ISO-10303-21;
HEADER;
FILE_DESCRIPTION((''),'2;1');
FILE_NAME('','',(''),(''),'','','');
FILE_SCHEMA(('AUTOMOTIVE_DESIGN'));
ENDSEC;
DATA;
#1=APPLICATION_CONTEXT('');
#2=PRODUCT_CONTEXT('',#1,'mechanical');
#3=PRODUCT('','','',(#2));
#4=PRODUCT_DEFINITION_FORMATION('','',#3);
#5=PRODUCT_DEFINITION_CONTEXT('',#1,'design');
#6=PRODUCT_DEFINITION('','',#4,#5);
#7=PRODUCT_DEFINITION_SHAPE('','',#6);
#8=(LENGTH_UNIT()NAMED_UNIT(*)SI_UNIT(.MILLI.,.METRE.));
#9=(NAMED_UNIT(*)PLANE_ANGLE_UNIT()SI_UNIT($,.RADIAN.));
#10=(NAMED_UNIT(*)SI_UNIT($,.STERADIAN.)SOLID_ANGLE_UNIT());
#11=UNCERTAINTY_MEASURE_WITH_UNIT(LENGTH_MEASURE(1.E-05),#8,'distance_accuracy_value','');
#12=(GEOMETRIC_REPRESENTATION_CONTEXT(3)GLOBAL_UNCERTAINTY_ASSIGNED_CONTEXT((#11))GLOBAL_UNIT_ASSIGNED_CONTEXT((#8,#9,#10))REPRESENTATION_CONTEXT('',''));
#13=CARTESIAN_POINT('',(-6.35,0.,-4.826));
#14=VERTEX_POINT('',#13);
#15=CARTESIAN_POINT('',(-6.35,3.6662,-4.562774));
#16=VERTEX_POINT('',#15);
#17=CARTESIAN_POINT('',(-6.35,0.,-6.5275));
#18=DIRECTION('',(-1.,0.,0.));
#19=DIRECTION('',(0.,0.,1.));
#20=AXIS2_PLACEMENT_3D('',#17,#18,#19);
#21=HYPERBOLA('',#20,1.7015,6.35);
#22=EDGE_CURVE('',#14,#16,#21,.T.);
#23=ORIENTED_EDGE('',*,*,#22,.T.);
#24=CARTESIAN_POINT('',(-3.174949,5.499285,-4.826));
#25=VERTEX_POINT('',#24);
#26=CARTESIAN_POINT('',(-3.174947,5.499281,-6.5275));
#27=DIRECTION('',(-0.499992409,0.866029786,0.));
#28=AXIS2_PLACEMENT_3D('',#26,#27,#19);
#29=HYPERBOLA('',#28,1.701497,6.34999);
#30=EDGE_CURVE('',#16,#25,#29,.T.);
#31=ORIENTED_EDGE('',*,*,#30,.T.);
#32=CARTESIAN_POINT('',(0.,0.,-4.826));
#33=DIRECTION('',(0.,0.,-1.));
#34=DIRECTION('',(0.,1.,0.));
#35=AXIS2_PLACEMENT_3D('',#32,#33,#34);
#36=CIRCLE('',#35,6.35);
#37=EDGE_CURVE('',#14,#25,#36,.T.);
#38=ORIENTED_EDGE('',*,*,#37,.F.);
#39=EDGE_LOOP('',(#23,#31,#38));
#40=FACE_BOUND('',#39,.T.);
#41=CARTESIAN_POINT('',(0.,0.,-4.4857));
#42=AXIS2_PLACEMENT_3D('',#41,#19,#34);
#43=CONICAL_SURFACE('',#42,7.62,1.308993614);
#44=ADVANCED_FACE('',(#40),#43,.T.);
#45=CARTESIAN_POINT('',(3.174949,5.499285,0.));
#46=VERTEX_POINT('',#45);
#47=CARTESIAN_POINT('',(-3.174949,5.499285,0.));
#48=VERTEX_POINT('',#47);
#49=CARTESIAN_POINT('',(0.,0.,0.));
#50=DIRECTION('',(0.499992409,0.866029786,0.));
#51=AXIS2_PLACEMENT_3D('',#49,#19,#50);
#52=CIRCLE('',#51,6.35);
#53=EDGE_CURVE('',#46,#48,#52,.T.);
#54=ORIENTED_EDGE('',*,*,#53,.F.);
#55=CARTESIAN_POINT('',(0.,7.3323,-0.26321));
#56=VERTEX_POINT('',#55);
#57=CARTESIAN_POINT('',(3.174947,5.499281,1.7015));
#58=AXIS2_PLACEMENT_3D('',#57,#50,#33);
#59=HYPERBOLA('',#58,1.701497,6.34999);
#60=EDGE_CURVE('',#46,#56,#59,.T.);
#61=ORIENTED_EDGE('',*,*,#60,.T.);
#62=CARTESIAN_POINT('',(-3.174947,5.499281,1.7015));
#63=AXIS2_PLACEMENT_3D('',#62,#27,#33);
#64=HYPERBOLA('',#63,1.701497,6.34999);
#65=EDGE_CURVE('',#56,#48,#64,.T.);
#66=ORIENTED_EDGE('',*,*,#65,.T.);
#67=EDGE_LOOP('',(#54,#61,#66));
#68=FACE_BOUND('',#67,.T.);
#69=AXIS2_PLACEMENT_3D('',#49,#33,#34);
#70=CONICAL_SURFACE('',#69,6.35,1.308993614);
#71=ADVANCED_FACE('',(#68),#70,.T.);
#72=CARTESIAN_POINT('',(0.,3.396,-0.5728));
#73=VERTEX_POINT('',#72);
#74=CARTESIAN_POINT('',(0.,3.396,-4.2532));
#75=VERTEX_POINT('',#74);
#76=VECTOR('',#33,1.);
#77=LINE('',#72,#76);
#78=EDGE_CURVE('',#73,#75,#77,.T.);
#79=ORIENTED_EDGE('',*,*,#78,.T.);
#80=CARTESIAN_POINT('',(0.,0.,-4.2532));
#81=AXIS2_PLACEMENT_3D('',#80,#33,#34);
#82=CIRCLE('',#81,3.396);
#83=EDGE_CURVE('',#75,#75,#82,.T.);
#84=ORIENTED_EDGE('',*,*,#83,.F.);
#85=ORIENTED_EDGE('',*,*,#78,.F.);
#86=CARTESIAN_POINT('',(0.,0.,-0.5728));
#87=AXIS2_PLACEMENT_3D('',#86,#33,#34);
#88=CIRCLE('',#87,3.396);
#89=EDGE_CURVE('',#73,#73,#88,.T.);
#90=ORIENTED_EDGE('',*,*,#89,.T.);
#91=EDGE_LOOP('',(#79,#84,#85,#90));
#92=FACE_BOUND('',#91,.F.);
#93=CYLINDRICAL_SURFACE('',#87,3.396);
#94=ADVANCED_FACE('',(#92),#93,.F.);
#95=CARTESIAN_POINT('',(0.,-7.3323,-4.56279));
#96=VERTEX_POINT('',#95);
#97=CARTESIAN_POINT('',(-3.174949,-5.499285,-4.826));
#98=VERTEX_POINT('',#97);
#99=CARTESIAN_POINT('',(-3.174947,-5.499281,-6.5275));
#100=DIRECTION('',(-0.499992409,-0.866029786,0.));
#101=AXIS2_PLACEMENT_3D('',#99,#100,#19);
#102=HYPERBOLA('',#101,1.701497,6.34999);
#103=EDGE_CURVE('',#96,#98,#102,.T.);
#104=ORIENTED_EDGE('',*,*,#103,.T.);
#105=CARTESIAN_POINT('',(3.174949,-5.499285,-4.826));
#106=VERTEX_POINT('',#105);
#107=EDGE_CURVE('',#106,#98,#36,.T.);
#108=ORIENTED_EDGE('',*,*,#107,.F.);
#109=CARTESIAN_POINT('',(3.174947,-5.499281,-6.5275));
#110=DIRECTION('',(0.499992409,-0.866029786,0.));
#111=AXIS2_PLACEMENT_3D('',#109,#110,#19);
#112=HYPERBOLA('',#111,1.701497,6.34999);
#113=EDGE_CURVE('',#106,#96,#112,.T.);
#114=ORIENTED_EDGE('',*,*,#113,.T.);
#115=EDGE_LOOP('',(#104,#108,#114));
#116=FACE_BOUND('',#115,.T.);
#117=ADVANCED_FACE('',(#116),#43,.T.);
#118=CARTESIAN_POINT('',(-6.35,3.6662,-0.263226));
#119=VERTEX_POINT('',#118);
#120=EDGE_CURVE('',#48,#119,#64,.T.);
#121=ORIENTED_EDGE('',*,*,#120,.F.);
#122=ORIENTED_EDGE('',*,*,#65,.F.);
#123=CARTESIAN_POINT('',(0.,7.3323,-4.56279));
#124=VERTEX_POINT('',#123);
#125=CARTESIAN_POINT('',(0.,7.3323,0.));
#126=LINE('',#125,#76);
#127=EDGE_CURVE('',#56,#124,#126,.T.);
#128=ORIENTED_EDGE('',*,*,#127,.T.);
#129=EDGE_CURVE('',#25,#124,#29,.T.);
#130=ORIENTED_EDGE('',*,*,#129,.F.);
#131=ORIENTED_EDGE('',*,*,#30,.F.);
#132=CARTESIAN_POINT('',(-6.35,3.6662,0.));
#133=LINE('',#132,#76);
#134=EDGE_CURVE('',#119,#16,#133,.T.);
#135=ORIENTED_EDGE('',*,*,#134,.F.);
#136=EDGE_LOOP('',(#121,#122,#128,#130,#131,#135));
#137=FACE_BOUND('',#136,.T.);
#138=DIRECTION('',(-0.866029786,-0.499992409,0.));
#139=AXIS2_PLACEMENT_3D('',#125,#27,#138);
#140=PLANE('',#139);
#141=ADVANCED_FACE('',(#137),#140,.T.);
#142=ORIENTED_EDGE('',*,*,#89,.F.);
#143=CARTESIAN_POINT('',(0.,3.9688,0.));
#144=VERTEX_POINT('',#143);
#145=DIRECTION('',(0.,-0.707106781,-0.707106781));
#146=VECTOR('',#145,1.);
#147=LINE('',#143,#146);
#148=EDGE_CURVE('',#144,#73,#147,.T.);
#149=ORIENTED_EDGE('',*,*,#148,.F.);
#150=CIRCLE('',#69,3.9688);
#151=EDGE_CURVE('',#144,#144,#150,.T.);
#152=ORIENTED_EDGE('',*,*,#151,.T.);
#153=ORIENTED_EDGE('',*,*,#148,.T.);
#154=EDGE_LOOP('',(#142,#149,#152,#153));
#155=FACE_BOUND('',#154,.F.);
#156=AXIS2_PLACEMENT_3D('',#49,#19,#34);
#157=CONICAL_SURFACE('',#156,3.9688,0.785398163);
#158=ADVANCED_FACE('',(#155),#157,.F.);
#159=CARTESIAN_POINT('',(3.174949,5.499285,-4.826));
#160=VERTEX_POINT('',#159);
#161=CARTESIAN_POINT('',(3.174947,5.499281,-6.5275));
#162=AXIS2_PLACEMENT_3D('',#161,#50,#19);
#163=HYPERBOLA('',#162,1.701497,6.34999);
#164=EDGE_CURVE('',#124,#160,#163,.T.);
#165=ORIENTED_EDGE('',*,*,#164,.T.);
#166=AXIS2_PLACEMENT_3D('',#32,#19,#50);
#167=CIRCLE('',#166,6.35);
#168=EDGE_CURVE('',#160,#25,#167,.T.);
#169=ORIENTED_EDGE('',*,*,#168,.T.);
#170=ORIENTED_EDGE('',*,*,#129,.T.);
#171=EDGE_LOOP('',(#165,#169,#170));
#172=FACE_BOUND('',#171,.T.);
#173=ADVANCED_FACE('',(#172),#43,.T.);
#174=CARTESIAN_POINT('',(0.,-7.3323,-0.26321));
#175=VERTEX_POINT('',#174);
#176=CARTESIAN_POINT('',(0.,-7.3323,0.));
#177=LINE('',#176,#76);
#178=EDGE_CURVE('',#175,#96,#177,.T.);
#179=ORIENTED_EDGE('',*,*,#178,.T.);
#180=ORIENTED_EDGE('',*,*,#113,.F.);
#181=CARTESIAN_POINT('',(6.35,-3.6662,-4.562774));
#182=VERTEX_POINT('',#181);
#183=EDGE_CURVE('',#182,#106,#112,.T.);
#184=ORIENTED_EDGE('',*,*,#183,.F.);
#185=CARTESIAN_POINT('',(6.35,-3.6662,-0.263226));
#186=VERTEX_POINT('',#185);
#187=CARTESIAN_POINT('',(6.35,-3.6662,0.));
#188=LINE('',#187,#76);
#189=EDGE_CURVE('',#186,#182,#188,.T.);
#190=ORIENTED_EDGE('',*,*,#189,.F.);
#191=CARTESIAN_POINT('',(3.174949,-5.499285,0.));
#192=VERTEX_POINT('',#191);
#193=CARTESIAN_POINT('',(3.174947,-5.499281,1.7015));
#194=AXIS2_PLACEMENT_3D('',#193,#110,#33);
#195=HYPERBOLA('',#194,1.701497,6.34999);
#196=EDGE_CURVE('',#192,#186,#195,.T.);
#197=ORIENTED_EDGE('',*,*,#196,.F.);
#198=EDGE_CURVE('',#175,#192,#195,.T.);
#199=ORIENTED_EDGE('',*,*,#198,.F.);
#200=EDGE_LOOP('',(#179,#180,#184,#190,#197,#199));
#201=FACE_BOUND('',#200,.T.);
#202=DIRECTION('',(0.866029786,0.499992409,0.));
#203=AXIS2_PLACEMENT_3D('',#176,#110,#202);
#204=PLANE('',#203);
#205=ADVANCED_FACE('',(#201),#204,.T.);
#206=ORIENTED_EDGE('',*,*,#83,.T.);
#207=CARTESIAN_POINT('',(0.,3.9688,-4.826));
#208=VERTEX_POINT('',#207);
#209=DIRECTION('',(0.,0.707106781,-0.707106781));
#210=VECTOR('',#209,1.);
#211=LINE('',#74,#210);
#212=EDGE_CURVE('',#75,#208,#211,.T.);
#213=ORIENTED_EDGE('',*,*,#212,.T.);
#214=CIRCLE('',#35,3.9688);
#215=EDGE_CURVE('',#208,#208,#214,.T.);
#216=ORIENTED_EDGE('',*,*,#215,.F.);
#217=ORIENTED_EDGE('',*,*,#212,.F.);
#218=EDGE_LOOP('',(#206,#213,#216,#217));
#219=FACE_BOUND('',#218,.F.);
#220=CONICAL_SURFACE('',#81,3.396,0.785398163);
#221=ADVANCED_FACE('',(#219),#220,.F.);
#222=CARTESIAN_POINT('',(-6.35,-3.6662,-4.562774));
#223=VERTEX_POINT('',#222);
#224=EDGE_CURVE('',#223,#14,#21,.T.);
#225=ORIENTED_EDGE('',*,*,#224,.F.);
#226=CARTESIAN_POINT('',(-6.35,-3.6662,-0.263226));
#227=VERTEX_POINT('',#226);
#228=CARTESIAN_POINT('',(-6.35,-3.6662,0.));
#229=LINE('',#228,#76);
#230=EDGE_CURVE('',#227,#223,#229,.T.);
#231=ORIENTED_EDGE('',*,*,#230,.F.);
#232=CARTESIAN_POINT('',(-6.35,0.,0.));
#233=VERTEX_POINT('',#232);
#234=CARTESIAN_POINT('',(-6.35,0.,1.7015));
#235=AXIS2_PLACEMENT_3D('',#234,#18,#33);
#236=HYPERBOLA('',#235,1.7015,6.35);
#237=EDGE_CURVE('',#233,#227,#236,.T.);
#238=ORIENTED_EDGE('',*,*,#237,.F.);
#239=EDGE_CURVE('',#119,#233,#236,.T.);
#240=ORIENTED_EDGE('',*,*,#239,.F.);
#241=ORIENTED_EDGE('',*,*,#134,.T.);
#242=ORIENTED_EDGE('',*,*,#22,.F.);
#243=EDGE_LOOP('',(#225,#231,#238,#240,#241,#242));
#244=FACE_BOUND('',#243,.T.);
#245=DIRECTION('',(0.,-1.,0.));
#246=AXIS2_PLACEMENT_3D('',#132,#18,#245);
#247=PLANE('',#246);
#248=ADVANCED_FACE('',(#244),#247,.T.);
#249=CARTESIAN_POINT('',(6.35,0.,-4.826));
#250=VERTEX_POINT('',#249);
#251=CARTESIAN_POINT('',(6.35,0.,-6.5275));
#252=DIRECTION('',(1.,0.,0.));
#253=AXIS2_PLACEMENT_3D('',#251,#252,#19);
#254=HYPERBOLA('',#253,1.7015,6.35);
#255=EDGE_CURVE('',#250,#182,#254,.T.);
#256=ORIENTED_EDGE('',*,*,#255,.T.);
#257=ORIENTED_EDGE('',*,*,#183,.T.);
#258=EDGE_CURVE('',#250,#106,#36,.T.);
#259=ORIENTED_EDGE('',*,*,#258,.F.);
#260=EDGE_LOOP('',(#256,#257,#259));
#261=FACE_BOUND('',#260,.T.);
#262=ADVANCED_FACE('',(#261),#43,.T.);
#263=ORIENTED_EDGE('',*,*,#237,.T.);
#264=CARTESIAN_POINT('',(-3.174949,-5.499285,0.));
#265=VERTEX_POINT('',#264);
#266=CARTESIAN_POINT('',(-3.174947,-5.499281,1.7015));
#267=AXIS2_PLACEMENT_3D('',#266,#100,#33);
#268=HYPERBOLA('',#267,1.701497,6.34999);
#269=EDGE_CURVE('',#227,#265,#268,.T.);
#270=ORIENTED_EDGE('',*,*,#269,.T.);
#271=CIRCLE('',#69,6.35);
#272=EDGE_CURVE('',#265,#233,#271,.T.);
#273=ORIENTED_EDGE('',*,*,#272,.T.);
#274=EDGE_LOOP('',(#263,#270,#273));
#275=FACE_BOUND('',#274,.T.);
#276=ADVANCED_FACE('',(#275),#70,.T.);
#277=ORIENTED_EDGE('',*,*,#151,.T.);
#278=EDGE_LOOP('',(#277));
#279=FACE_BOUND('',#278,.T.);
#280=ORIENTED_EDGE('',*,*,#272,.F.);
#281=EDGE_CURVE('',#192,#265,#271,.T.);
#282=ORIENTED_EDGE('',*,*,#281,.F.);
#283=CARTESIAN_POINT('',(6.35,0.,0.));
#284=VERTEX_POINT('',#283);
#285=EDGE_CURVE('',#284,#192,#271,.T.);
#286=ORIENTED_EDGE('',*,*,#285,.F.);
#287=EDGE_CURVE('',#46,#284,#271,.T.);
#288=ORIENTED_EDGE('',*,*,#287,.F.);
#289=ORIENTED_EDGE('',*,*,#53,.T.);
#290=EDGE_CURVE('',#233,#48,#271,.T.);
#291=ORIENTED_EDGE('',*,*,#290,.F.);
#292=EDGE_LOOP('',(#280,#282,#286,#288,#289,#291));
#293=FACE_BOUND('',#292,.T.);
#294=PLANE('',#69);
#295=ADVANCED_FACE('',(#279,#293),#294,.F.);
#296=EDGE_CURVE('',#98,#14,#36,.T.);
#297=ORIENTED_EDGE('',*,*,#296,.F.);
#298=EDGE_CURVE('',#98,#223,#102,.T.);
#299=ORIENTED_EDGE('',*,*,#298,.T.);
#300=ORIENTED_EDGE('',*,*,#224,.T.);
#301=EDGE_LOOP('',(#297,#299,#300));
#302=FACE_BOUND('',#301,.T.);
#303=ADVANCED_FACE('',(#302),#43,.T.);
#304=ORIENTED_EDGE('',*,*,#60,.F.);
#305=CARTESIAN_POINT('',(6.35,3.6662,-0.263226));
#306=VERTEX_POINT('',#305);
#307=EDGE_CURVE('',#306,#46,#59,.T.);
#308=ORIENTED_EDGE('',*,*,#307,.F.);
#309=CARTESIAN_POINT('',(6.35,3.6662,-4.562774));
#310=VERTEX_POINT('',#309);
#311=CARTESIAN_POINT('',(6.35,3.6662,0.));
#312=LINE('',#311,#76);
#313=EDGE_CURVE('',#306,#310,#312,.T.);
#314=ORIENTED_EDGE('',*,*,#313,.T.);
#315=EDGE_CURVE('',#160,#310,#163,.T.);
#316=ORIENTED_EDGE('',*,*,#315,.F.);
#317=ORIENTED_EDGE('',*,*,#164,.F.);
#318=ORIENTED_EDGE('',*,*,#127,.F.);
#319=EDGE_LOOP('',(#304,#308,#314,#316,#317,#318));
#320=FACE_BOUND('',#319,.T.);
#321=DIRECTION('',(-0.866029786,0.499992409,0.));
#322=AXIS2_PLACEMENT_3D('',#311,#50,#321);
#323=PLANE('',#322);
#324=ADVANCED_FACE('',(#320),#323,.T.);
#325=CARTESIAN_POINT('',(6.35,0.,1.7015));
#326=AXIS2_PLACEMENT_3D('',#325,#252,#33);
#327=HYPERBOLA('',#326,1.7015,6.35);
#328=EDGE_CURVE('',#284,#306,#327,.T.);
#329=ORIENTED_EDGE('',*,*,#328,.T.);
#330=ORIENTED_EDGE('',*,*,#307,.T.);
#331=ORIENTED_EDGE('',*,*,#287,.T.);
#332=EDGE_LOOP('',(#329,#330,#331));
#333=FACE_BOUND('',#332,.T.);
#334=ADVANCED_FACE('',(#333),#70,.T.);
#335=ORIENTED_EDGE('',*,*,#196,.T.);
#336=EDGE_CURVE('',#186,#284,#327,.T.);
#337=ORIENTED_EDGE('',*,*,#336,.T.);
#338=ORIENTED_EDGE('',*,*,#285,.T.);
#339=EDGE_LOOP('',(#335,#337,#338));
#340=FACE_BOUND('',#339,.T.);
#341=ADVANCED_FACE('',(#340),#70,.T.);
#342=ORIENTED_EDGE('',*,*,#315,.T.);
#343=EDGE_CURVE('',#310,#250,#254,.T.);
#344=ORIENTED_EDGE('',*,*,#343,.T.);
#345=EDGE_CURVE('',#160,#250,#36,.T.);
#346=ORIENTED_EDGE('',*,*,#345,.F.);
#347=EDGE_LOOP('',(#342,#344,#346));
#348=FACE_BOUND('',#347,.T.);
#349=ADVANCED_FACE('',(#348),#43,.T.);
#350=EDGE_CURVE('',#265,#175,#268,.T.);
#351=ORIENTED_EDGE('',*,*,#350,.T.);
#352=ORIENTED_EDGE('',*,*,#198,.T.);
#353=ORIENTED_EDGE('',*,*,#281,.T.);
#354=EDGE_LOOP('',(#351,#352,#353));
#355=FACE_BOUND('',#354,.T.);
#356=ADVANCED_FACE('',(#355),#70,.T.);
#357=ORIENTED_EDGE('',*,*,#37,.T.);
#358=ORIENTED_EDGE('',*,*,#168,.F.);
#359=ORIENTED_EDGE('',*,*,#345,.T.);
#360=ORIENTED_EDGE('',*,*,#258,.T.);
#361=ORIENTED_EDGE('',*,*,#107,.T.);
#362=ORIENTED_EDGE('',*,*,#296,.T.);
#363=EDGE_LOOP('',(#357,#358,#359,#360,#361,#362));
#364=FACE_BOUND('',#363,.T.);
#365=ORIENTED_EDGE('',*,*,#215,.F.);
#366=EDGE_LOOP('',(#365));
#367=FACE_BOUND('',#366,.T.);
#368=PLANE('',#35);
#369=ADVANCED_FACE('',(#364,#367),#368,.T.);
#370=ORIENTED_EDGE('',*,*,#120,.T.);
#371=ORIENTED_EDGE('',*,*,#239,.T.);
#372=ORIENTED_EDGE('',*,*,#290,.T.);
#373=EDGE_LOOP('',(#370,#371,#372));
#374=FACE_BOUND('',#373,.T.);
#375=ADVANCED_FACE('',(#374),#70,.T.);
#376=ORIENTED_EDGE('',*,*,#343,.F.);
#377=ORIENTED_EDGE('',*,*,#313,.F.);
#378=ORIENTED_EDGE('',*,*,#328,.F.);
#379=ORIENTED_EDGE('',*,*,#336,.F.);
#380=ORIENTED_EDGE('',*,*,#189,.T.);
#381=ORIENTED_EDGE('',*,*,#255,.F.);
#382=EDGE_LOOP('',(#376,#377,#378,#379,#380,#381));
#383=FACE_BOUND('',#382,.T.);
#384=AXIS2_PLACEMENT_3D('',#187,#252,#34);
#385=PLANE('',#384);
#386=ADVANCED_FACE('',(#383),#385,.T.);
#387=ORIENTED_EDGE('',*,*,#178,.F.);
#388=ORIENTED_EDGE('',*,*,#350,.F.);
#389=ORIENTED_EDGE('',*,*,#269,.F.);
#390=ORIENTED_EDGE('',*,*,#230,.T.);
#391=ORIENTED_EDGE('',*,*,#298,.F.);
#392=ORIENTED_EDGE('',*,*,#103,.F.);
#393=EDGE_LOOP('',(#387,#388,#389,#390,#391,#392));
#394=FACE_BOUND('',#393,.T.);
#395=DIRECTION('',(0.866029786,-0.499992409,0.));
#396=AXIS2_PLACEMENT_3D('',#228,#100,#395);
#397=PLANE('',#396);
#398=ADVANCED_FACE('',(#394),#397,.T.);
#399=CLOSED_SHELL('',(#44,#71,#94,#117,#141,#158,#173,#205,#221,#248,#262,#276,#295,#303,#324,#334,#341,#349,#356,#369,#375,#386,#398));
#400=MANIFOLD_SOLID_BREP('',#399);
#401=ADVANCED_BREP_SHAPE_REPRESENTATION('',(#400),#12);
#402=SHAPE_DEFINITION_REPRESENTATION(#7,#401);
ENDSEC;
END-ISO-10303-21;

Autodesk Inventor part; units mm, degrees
sketch "Sketch_8" plane through (0, 0, 0) normal (1, 0, 0) x (0, 1, 0)
  line L0 (0, -4.826) -> (0, 0)
  line L1 (0, 0) -> (6.35, 0)
  line L2 (6.35, 0) -> (7.62, -0.3403)
  line L3 (7.62, -0.3403) -> (7.62, -4.4857)
  line L4 (7.62, -4.4857) -> (6.35, -4.826)
  line L5 (6.35, -4.826) -> (0, -4.826)
  line L6 (0, -4.826) -> (0, 0)
sketch "Sketch_10" plane through (0, 0, 0) normal (0, 0, 1) x (1, 0, 0)
  line L0 (-12.7, -12.7) -> (12.7, -12.7)
  line L1 (12.7, -12.7) -> (12.7, 12.7)
  line L2 (12.7, 12.7) -> (-12.7, 12.7)
  line L3 (-12.7, 12.7) -> (-12.7, -12.7)
  line L4 (-6.35, -3.6662) -> (0, -7.3323)
  line L5 (0, -7.3323) -> (6.35, -3.6662)
  line L6 (6.35, -3.6662) -> (6.35, 3.6662)
  line L7 (6.35, 3.6662) -> (0, 7.3323)
  line L8 (0, 7.3323) -> (-6.35, 3.6662)
  line L9 (-6.35, 3.6662) -> (-6.35, -3.6662)
revolve "Revolution1" add sketch "Sketch_8" angle 360 about axis through (0, 0, -4.826) along (0, 0, -1)
extrude "Extrusion1" cut sketch "Sketch_10" against normal blind 4.826
sketch "Sketch_11" plane through (0, 0, 0) normal (1, 0, 0) x (0, 1, 0)
  line L0 (0, -4.826) -> (0, 0)
  line L1 (0, 0) -> (3.9688, 0)
  line L2 (3.9688, 0) -> (3.396, -0.5728)
  line L3 (3.396, -0.5728) -> (3.396, -4.2532)
  line L4 (3.396, -4.2532) -> (3.9688, -4.826)
  line L5 (3.9688, -4.826) -> (0, -4.826)
  line L6 (0, -4.826) -> (0, 0)
revolve "Revolution2" cut sketch "Sketch_11" angle 360 about axis through (0, 0, -4.826) along (0, 0, -1)
thread "Thread1" size "5/16-24 UNF" class "2B" standard "ANSI Unified Screw Threads" full length
ref_plane "NUT_XY" through (0, 0, 0) normal (0, 0, 1) x (1, 0, 0)
ref_plane "NUT_YZ" through (0, 0, 0) normal (1, 0, 0) x (0, 1, 0)
ref_plane "NUT_ZX" through (0, 0, 0) normal (0, 1, 0) x (0, 0, 1)
ref_plane "a1_XY" through (-6.35, 6.35, 0) normal (0, 0, 1) x (1, 0, 0)
ref_plane "a1_YZ" through (-6.35, 6.35, 0) normal (1, 0, 0) x (0, 1, 0)
ref_plane "a1_ZX" through (-6.35, 6.35, 0) normal (0, 1, 0) x (0, 0, 1)
ref_plane "a2_XY" through (6.35, 6.35, 0) normal (0, 0, 1) x (1, 0, 0)
ref_plane "a2_YZ" through (6.35, 6.35, 0) normal (1, 0, 0) x (0, 1, 0)
ref_plane "a2_ZX" through (6.35, 6.35, 0) normal (0, 1, 0) x (0, 0, 1)
ref_plane "b1_XY" through (0, 6.35, 0) normal (1, 0, 0) x (0, 0, -1)
ref_plane "b1_YZ" through (0, 6.35, 0) normal (0, 0, -1) x (0, 1, 0)
ref_plane "b1_ZX" through (0, 6.35, 0) normal (0, 1, 0) x (1, 0, 0)
ref_plane "b2_XY" through (0, 6.35, -4.826) normal (1, 0, 0) x (0, 0, -1)
ref_plane "b2_YZ" through (0, 6.35, -4.826) normal (0, 0, -1) x (0, 1, 0)
ref_plane "b2_ZX" through (0, 6.35, -4.826) normal (0, 1, 0) x (1, 0, 0)
ref_plane "e_XY" through (0, 0, -4.826) normal (1, 0, 0) x (0, 0, -1)
ref_plane "e_YZ" through (0, 0, -4.826) normal (0, 0, -1) x (0, 1, 0)
ref_plane "e_ZX" through (0, 0, -4.826) normal (0, 1, 0) x (1, 0, 0)
ref_plane "ol1_XY" through (0, 0, -6.35) normal (0, 1, 0) x (1, 0, 0)
ref_plane "ol1_YZ" through (0, 0, -6.35) normal (1, 0, 0) x (0, 0, -1)
ref_plane "ol1_ZX" through (0, 0, -6.35) normal (0, 0, -1) x (0, 1, 0)
ref_plane "ol2_XY" through (4.826, 0, -6.35) normal (0, 1, 0) x (1, 0, 0)
ref_plane "ol2_YZ" through (4.826, 0, -6.35) normal (1, 0, 0) x (0, 0, -1)
ref_plane "ol2_ZX" through (4.826, 0, -6.35) normal (0, 0, -1) x (0, 1, 0)
ref_plane "th1_XY" through (0, 3.9688, -4.826) normal (1, 0, 0) x (0, 0, -1)
ref_plane "th1_YZ" through (0, 3.9688, -4.826) normal (0, 0, -1) x (0, 1, 0)
ref_plane "th1_ZX" through (0, 3.9688, -4.826) normal (0, 1, 0) x (1, 0, 0)
ref_plane "th2_XY" through (0, -3.9688, -4.826) normal (1, 0, 0) x (0, 0, -1)
ref_plane "th2_YZ" through (0, -3.9688, -4.826) normal (0, 0, -1) x (0, 1, 0)
ref_plane "th2_ZX" through (0, -3.9688, -4.826) normal (0, 1, 0) x (1, 0, 0)
properties part number "D-746"
